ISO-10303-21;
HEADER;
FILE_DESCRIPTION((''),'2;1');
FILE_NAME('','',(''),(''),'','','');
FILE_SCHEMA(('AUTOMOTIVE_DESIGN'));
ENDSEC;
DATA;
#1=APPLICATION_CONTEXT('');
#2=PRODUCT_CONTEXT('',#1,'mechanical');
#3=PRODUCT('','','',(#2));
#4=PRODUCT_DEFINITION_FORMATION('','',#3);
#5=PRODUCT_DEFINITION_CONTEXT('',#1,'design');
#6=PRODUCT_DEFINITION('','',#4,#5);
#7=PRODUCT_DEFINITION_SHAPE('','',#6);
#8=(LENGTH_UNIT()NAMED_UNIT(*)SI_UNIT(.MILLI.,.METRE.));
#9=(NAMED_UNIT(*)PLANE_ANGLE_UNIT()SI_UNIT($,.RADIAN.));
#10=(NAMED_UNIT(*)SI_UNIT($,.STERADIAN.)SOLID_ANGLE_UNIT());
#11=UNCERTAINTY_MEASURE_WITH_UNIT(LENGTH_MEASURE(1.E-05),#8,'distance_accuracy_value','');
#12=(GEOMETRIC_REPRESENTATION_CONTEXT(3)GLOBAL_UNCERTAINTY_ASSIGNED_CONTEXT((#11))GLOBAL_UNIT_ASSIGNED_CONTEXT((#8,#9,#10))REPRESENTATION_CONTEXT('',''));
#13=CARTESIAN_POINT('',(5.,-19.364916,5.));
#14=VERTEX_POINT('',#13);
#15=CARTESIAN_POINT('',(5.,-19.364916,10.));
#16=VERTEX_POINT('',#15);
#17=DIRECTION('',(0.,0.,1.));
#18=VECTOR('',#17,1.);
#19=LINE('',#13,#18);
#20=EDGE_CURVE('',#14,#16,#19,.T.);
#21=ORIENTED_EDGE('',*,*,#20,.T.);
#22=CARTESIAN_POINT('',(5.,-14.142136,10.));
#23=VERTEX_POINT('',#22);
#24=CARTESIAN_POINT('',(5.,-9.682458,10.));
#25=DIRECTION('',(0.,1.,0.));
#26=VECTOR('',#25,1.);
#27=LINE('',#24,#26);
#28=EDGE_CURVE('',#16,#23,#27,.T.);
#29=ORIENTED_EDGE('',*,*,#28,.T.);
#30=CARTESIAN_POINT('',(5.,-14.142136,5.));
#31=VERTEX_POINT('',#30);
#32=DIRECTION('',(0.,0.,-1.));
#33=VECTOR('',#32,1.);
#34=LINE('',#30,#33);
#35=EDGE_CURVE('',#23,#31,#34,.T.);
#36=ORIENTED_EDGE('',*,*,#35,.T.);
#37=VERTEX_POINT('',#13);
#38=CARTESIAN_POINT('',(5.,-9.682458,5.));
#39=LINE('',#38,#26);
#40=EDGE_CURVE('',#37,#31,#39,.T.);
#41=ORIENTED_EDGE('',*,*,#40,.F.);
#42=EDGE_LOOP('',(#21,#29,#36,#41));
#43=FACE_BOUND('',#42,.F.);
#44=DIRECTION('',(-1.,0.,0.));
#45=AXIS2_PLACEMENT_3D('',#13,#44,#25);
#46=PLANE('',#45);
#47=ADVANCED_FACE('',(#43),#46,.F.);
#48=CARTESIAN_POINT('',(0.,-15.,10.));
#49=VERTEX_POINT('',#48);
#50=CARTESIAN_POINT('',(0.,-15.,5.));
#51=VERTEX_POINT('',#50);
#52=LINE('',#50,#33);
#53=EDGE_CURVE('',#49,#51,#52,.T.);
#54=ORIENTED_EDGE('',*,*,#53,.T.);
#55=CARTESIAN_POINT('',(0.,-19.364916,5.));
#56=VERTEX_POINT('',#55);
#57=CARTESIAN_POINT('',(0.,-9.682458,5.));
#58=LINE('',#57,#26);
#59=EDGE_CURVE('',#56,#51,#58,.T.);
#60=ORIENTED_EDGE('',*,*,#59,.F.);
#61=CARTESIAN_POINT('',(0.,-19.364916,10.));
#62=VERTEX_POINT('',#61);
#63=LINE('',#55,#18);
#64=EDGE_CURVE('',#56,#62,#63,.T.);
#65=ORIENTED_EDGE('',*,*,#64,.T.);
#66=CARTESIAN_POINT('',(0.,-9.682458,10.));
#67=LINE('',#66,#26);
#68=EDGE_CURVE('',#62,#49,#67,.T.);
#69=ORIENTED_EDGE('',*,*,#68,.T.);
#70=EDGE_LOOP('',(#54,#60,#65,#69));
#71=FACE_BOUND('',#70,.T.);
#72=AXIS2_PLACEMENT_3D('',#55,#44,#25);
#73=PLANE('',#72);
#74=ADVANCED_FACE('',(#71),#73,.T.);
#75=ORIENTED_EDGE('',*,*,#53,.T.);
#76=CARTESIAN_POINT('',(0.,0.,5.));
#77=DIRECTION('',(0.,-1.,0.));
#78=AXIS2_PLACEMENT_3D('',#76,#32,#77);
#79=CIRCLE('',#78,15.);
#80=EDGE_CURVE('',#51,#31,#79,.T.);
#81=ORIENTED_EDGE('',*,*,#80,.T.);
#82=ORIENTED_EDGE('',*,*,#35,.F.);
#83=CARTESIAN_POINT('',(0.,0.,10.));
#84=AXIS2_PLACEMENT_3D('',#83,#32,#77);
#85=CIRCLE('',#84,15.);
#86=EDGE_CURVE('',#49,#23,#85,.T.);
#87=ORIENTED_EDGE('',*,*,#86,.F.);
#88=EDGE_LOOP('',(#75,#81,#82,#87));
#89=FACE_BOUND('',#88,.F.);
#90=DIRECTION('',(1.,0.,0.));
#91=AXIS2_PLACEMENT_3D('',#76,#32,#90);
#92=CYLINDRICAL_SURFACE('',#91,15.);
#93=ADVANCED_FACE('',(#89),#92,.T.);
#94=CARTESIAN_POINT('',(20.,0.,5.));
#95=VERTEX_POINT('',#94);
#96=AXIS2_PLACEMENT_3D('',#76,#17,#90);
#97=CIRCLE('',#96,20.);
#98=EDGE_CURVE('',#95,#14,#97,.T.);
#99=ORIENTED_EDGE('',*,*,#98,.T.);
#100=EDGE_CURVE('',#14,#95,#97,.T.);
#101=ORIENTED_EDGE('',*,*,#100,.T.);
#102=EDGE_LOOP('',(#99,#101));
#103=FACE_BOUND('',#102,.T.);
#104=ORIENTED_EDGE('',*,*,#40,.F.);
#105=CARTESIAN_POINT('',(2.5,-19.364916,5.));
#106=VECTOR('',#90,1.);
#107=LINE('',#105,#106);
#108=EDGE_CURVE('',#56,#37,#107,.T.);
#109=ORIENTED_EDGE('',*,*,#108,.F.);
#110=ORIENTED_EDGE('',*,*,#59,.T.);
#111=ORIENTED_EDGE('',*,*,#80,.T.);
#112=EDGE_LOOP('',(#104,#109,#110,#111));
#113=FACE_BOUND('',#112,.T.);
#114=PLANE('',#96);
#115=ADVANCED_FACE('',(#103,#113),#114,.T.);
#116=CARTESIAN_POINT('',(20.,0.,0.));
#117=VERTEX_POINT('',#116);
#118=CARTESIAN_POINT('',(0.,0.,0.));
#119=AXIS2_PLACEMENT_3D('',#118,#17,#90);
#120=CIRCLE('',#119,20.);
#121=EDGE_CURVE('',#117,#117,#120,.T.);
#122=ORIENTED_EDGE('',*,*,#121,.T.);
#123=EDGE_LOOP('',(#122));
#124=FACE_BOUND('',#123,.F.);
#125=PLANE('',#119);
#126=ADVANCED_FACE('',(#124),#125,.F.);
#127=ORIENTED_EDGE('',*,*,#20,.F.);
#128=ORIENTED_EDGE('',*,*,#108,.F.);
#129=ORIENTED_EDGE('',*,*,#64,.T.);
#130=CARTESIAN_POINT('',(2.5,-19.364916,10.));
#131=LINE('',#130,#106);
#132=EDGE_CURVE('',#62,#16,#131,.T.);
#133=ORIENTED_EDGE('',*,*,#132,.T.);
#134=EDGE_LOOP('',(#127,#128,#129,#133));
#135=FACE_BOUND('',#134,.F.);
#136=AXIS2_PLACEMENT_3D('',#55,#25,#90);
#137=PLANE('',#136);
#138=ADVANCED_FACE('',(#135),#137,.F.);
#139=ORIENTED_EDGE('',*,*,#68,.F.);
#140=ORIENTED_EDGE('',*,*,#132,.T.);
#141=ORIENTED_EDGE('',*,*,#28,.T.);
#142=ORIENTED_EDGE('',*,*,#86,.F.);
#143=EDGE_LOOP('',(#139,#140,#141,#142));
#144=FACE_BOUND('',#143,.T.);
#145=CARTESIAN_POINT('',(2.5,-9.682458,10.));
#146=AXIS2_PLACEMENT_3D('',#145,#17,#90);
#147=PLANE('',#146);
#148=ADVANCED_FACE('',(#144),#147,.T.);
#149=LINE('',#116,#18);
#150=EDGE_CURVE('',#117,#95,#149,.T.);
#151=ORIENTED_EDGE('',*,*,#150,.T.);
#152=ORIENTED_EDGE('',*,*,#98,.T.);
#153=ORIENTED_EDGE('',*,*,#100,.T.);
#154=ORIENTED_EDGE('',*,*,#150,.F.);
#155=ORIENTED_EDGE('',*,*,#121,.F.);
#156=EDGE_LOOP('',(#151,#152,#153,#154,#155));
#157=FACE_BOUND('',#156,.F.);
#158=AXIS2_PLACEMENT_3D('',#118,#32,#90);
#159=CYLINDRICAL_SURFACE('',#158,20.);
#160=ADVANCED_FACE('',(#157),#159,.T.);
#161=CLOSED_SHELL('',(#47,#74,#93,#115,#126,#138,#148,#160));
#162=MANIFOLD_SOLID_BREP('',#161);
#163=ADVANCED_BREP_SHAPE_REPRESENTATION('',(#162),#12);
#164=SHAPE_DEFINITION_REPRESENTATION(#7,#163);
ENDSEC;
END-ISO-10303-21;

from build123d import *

# Parameters (mm, degrees)
F0_R     = 20
F1_DEPTH = 5
F2_R     = 15
F3_DEPTH = 5
F4_W     = 5
F4_H     = 19.364917
F5_DEPTH = 5


with BuildPart() as f1:
    # F0 (on Top) → F1 (new body)
    with BuildSketch(Plane.XY):
        Circle(F0_R)
    extrude(amount=F1_DEPTH)

    # F2 (on face) → F3 (join)
    with BuildSketch(Plane.XY.offset(5)):
        Circle(F2_R)
    extrude(amount=F3_DEPTH)

    # F4 (on face) → F5 (join)
    with BuildSketch(Plane.XY.offset(5)):
        with Locations((2.5, -9.682458)):
            Rectangle(F4_W, F4_H)
    extrude(amount=F5_DEPTH)


solid = f1.part
